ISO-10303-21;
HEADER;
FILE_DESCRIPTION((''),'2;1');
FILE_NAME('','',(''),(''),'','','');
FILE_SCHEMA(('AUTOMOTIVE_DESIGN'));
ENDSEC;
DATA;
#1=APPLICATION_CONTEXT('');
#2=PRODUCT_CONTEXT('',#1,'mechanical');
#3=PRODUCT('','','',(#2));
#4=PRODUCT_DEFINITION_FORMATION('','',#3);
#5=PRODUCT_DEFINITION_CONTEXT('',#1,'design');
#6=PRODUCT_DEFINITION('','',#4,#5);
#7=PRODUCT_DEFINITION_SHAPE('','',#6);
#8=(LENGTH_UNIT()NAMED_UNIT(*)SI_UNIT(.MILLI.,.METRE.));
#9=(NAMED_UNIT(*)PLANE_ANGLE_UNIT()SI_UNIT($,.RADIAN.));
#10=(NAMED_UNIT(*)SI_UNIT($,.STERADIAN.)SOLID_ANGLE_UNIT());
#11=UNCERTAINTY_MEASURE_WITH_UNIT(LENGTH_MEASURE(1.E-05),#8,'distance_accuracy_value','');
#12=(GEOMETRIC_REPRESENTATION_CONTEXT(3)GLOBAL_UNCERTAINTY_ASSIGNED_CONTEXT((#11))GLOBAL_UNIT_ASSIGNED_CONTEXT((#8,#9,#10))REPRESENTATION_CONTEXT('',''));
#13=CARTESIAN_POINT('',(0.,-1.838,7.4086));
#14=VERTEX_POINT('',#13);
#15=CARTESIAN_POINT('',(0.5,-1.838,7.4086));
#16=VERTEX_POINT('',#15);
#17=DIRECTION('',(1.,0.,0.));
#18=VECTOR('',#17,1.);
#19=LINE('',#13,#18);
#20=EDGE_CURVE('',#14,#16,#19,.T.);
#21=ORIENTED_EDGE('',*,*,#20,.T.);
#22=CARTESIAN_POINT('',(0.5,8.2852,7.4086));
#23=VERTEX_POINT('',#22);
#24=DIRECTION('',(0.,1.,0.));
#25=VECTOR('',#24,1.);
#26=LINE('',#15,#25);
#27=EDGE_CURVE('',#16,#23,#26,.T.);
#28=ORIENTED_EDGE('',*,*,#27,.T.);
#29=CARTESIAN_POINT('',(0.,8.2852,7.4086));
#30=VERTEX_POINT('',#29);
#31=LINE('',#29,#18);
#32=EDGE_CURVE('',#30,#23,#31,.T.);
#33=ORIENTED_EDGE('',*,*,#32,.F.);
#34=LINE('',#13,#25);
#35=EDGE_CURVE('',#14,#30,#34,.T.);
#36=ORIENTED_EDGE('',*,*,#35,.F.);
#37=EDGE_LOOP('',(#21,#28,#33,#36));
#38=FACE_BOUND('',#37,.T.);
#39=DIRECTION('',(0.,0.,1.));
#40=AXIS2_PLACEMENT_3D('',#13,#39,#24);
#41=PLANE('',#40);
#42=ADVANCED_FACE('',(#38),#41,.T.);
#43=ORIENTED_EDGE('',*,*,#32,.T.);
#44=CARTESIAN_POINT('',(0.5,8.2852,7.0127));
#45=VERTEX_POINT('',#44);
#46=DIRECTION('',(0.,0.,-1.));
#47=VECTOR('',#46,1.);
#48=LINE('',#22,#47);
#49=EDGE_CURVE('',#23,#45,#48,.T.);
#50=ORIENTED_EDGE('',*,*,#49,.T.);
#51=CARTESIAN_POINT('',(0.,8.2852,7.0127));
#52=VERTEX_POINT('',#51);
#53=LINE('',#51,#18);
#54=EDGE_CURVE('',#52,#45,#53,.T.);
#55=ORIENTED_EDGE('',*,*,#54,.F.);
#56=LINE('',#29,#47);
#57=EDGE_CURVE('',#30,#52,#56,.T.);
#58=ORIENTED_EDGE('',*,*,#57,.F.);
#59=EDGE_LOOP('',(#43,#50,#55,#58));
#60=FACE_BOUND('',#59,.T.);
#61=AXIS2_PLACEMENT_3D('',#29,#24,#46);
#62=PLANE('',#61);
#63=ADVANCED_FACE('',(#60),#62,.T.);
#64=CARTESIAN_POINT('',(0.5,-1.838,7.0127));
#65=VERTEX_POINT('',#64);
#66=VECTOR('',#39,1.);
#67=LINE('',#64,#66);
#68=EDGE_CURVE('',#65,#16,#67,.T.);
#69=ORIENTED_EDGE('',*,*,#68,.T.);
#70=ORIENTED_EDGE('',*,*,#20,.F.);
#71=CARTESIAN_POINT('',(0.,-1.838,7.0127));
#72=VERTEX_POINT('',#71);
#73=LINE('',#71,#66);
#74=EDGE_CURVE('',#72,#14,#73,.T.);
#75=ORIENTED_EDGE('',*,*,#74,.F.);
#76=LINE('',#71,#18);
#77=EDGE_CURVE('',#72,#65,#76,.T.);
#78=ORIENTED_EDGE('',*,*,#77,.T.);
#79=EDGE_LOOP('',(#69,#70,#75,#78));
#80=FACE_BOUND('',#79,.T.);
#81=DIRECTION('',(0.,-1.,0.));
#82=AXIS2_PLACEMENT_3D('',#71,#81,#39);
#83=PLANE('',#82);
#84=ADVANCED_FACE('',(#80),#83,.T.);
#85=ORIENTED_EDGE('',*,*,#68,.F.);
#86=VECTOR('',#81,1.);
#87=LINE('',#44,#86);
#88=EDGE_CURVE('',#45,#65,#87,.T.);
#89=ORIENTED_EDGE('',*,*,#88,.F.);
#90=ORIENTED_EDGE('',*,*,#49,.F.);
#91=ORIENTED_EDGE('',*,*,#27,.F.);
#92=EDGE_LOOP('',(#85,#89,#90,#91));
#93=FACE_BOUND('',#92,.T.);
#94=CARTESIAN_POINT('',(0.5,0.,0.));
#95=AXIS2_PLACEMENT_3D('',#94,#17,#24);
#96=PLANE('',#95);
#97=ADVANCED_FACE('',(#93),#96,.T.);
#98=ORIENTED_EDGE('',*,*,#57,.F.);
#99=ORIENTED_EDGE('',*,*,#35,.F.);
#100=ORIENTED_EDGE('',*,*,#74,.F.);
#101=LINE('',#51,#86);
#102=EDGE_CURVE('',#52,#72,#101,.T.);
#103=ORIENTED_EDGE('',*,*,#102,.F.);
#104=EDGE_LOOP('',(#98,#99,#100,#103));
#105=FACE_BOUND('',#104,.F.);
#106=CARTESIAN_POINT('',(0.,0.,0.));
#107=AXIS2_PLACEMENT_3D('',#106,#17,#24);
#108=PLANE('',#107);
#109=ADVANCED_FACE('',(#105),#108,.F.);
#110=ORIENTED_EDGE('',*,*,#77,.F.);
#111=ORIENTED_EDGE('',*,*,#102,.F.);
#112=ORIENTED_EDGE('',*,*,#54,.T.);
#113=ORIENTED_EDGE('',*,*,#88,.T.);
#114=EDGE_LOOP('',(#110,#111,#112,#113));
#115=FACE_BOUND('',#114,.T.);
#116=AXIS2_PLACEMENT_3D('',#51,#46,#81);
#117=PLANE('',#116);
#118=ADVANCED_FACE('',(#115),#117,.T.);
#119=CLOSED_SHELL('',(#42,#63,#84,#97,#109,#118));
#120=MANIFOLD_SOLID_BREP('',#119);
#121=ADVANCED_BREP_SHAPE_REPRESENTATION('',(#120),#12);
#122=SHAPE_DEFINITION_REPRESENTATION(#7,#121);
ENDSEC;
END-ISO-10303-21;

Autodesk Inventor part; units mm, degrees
ref_plane "YZ Plane" through (0, 0, 0) normal (1, 0, 0) x (0, 1, 0)
ref_plane "XZ Plane" through (0, 0, 0) normal (0, 1, 0) x (-1, 0, 0)
ref_plane "XY Plane" through (0, 0, 0) normal (0, 0, 1) x (1, 0, 0)
sketch "Sketch1" plane through (0, 0, 0) normal (1, 0, 0) x (0, 1, 0)
  line L0 (8.2852, 7.4086) -> (8.2852, 7.0127)
  line L1 (8.2852, 7.0127) -> (-1.838, 7.0127)
  line L2 (-1.838, 7.0127) -> (-1.838, 7.4086)
  line L3 (-1.838, 7.4086) -> (8.2852, 7.4086)
  point P0 (0, 0)
extrude "Extrusion1" add sketch "Sketch1" along normal blind 0.5
properties part number "slider"
